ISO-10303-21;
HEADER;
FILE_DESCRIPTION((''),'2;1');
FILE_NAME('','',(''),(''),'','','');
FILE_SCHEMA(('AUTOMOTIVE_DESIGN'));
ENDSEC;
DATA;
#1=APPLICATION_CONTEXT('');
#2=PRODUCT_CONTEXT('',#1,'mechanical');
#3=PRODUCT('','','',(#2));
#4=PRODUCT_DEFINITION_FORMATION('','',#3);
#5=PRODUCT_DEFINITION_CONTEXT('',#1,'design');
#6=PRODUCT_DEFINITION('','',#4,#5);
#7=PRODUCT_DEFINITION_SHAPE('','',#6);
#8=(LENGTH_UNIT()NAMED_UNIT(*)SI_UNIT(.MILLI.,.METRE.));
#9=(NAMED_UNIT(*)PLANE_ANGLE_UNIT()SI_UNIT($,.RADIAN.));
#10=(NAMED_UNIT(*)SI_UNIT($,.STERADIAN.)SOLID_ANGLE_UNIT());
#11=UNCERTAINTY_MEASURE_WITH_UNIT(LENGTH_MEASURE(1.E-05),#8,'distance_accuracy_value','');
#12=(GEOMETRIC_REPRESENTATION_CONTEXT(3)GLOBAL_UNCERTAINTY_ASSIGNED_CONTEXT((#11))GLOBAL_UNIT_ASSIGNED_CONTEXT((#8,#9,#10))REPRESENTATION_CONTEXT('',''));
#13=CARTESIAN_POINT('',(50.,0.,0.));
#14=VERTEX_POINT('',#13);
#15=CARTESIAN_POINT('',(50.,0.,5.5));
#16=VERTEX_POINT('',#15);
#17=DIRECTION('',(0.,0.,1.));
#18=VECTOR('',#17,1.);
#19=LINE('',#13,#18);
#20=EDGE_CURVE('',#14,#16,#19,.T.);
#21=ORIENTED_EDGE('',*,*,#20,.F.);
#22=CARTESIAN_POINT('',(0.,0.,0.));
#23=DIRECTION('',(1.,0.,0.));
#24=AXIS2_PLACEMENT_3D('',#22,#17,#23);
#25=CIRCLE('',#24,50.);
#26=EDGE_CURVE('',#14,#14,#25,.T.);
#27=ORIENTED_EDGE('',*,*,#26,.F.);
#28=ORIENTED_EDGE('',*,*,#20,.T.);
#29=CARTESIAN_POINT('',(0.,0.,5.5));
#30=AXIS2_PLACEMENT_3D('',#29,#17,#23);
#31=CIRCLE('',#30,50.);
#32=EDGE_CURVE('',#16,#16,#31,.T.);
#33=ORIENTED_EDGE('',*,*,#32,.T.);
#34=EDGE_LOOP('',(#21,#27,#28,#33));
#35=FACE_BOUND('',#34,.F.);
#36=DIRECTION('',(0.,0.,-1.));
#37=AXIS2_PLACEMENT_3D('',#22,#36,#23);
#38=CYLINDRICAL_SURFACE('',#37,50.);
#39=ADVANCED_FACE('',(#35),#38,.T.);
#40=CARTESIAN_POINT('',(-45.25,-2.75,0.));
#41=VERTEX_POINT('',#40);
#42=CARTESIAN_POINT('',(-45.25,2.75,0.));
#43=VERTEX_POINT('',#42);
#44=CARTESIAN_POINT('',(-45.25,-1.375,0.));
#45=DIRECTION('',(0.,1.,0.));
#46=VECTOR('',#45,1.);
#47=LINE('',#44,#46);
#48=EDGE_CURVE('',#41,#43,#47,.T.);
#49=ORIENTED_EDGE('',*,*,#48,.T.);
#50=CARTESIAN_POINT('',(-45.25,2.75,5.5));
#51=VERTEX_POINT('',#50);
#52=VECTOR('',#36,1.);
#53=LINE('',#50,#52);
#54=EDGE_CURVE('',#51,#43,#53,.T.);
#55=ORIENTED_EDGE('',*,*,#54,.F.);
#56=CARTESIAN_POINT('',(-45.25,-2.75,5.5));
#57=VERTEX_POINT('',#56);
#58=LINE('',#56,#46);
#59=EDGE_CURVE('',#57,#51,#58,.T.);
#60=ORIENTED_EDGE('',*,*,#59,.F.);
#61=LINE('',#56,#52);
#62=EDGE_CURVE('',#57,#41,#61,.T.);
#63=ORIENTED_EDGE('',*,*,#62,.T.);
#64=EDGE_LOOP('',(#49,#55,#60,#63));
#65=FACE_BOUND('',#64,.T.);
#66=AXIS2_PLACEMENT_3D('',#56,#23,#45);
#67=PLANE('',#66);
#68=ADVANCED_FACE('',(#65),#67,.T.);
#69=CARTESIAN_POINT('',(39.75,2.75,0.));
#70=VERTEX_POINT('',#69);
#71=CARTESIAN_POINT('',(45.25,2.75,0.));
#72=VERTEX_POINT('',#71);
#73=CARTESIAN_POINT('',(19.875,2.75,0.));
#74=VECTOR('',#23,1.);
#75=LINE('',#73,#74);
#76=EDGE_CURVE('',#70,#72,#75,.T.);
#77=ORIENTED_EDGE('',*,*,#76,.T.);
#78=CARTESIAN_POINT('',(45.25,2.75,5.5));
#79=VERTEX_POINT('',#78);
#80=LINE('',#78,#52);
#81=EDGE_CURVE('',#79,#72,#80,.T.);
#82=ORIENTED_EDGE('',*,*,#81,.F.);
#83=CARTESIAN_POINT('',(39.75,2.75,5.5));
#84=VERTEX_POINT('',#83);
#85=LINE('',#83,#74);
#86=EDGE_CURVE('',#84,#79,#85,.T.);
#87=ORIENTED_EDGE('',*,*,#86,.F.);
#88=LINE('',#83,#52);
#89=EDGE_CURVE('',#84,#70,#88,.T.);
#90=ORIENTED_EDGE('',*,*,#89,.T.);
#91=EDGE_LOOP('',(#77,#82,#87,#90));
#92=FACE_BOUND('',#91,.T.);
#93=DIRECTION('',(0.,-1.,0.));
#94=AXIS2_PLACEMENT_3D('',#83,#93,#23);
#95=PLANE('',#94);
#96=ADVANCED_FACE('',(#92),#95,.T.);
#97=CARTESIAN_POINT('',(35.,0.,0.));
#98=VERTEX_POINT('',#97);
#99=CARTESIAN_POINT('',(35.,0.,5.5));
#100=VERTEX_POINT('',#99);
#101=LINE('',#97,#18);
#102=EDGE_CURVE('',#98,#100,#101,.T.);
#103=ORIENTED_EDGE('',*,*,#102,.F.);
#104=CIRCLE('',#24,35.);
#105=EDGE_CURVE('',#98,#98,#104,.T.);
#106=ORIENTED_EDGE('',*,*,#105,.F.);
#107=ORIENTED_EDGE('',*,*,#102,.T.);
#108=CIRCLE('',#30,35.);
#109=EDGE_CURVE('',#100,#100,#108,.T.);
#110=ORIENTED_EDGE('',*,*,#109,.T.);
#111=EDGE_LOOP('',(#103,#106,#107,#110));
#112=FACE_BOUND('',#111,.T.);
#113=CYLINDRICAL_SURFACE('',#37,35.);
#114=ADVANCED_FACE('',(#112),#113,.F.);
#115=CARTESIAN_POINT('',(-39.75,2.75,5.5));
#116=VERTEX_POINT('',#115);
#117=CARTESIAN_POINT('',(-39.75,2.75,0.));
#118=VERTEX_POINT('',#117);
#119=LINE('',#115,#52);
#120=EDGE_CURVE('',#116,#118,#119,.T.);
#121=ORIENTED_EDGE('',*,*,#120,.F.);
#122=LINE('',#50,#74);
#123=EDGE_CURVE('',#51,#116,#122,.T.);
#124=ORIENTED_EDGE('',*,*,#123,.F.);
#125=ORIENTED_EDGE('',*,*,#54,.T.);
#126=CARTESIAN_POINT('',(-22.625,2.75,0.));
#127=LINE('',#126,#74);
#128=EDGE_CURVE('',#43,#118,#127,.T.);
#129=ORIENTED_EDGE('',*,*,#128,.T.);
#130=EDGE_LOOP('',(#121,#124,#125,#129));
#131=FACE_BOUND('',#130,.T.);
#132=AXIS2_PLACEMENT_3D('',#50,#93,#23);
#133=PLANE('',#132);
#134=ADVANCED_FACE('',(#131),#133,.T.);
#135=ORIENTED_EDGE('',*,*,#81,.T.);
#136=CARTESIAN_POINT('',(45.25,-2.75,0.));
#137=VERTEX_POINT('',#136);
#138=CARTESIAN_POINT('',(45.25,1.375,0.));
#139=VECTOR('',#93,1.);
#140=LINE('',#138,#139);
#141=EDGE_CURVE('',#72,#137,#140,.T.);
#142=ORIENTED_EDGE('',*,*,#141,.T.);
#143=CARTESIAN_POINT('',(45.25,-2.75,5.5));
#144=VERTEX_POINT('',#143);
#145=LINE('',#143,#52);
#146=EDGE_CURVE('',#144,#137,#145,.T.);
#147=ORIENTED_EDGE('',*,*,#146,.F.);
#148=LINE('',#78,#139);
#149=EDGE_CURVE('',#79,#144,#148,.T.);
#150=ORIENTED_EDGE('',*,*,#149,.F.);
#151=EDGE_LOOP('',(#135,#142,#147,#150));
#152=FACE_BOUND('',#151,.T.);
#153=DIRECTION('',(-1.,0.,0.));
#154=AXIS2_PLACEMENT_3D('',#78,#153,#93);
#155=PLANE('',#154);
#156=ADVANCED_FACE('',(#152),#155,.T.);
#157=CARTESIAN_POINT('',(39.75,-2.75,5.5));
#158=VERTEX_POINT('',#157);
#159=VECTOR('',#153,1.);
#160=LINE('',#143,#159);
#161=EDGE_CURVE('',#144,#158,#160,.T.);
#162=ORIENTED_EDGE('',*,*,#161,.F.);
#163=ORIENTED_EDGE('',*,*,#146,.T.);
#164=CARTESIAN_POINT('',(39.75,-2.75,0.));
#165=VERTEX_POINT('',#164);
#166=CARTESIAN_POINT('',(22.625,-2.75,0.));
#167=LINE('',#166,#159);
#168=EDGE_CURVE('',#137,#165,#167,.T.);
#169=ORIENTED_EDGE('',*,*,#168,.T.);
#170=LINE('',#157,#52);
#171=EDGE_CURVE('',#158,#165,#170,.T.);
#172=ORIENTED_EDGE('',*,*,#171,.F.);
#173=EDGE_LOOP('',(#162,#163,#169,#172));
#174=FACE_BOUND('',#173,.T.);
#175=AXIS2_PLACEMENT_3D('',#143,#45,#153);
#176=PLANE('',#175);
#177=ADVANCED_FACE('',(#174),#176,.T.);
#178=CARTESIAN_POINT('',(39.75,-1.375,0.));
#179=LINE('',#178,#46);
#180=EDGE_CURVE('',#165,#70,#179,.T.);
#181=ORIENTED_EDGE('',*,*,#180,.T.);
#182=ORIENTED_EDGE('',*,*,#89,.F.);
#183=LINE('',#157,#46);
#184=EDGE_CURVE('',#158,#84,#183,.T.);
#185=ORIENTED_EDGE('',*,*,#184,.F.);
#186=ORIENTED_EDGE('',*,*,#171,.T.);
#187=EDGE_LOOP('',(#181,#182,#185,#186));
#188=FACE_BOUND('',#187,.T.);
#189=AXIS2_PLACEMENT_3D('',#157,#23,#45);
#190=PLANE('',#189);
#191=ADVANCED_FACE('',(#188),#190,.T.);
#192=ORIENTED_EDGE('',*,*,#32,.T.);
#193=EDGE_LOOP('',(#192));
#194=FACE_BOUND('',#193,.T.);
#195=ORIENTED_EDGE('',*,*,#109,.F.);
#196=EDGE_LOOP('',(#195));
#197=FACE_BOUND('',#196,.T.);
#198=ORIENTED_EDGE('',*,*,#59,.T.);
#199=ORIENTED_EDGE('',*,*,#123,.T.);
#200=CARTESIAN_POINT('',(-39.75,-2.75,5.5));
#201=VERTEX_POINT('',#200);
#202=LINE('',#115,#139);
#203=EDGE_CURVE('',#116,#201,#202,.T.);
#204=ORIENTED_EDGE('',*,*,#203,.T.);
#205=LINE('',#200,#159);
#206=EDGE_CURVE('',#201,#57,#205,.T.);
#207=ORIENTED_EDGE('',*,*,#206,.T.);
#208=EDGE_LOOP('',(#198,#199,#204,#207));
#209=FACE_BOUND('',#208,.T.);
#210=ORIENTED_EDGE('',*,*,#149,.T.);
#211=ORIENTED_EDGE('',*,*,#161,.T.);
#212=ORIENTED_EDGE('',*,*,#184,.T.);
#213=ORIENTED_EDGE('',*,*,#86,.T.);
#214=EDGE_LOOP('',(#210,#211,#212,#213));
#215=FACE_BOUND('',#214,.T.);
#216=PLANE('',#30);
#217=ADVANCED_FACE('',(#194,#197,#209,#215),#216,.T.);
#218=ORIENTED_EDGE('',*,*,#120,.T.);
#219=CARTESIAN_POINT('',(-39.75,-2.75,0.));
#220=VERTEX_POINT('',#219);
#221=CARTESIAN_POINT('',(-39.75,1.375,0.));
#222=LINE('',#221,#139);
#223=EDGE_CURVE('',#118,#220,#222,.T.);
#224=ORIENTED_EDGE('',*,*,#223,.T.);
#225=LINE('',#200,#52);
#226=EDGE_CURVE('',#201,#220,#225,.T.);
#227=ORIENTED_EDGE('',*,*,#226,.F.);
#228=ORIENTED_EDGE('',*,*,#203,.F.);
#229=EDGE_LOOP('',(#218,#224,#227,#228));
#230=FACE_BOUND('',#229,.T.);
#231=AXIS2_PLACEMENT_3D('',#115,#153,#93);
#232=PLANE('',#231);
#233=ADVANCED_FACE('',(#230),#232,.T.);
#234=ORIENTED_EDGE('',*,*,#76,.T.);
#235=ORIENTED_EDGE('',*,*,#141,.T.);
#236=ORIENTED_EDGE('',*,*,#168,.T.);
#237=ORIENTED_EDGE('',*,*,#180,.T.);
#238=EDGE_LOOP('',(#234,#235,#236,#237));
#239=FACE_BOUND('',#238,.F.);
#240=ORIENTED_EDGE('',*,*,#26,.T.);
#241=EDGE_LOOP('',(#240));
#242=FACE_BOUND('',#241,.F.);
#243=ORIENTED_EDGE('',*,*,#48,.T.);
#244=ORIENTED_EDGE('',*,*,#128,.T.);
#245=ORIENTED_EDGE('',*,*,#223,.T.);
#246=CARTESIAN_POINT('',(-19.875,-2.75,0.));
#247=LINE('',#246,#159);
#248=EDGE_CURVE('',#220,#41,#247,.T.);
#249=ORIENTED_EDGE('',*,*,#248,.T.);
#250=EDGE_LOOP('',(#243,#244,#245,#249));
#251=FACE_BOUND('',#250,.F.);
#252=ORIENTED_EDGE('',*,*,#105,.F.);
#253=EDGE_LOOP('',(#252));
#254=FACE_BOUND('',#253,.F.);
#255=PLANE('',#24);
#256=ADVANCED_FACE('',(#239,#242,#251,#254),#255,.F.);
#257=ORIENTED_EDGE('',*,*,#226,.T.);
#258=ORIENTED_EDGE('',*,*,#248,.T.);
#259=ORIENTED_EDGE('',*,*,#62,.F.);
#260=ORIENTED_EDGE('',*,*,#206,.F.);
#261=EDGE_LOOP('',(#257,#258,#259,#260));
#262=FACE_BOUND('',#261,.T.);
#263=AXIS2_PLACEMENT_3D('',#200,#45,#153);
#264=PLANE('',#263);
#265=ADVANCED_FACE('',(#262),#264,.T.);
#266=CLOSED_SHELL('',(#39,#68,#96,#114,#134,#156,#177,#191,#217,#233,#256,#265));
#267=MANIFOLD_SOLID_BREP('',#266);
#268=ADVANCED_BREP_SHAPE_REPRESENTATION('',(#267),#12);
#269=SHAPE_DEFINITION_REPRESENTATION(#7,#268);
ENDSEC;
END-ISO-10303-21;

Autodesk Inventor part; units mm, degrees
ref_plane "YZ Plane" through (0, 0, 0) normal (1, 0, 0) x (0, 1, 0)
ref_plane "XZ Plane" through (0, 0, 0) normal (0, 1, 0) x (-1, 0, 0)
ref_plane "XY Plane" through (0, 0, 0) normal (0, 0, 1) x (1, 0, 0)
sketch "Sketch1" plane through (0, 0, 0) normal (0, 0, 1) x (1, 0, 0)
  circle A0 centre (0, 0) radius 50
  circle A1 centre (0, 0) radius 35
  dimension "d0" = 100
  dimension "d1" = 70
extrude "Extrusion1" add sketch "Sketch1" along normal blind 5.5
sketch "Sketch4" plane through (0, 0, 5.5) normal (0, 0, 1) x (1, 0, 0)
  line L0 (39.75, 2.75) -> (45.25, 2.75)
  line L1 (45.25, 2.75) -> (45.25, -2.75)
  line L2 (45.25, -2.75) -> (39.75, -2.75)
  line L3 (39.75, -2.75) -> (39.75, 2.75)
  line L4 (-39.75, -2.75) -> (-45.25, -2.75)
  line L5 (-45.25, -2.75) -> (-45.25, 2.75)
  line L6 (-45.25, 2.75) -> (-39.75, 2.75)
  line L7 (-39.75, 2.75) -> (-39.75, -2.75)
  point P0 (0, 0)
  dimension "d13" = 5.5
  dimension "d14" = 5.5
  dimension "d17" = 360
extrude "Extrusion3" cut sketch "Sketch4" against normal blind 10
properties part number "central"
